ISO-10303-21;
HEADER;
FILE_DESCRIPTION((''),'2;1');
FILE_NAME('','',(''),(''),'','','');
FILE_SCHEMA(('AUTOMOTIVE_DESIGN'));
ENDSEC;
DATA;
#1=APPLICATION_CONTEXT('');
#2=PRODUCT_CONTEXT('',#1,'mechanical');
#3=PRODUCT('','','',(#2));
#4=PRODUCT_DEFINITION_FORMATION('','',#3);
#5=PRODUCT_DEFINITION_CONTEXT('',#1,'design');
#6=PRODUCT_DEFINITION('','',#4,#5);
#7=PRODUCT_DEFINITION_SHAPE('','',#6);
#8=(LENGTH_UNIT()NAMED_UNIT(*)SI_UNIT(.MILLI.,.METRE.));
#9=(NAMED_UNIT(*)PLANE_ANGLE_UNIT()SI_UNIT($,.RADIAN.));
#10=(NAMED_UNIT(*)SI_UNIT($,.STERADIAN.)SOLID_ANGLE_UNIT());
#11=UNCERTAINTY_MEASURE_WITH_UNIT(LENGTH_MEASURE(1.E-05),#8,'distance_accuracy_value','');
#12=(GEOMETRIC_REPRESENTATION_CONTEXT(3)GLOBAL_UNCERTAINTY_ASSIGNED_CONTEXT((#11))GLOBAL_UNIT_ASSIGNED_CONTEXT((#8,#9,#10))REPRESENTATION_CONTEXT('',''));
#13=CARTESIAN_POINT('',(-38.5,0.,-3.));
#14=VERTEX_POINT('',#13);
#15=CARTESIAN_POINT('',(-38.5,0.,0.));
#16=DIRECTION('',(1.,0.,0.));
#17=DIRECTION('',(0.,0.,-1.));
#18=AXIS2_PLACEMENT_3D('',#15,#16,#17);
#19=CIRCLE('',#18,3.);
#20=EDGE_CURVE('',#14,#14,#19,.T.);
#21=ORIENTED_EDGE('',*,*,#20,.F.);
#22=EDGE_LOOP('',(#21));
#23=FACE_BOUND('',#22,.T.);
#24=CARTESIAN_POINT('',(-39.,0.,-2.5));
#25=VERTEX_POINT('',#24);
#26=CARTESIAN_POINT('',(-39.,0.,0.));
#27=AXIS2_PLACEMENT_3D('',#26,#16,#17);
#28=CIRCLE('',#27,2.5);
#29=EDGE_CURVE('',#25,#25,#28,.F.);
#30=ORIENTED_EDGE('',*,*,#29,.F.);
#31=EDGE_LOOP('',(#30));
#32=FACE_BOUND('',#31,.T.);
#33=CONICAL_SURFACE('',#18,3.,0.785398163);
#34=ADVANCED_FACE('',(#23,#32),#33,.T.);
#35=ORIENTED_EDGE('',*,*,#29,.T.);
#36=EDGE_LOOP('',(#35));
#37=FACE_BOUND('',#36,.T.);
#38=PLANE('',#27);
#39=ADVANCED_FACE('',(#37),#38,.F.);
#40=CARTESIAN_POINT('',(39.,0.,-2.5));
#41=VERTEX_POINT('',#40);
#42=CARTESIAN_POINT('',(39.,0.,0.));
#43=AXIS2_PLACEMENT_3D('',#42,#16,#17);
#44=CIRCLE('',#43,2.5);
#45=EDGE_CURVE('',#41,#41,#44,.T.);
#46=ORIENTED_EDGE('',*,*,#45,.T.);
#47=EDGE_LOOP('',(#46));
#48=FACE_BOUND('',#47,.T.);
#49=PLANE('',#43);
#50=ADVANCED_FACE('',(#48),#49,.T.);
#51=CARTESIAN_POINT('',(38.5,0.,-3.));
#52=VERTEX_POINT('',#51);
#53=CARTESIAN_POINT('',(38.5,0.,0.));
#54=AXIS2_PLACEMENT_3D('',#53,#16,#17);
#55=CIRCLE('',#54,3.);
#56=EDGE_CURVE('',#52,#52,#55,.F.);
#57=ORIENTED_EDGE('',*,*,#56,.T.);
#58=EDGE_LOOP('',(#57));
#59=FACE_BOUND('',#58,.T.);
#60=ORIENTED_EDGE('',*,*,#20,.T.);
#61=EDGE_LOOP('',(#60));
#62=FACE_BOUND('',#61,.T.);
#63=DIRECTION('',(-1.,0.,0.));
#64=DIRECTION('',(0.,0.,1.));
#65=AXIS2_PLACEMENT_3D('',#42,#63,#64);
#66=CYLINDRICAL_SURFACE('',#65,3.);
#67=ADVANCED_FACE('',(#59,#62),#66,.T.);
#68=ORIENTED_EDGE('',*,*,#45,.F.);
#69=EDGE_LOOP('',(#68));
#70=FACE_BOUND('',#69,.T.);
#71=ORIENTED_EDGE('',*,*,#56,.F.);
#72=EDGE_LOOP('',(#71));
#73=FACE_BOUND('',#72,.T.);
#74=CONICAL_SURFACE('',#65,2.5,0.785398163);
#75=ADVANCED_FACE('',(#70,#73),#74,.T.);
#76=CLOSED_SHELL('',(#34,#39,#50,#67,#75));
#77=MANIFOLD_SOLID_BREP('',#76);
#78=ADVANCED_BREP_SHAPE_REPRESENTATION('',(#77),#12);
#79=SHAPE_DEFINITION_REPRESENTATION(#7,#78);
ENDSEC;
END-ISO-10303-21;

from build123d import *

# Parameters (mm, degrees)
SKIZZE1_R                       = 3
AUFSATZ_LINEAR_AUSTRAGEN1_DEPTH = 39
FASE1_SIZE                      = 0.5


with BuildPart() as part:
    # Skizze1 → Aufsatz-Linear austragen1 (new body, symmetric)
    with BuildSketch(Plane(origin=(0, 0, 0), x_dir=(0, 0, -1), z_dir=(1, 0, 0))):
        Circle(SKIZZE1_R)
    extrude(amount=AUFSATZ_LINEAR_AUSTRAGEN1_DEPTH, both=True)

    # Fase1
    fase1_edges = [part.edges().sort_by_distance(p)[0] for p in [
        (-39, 0, 3),
        (39, 0, 3),
    ]]
    chamfer(fase1_edges, length=FASE1_SIZE)


solid = part.part
